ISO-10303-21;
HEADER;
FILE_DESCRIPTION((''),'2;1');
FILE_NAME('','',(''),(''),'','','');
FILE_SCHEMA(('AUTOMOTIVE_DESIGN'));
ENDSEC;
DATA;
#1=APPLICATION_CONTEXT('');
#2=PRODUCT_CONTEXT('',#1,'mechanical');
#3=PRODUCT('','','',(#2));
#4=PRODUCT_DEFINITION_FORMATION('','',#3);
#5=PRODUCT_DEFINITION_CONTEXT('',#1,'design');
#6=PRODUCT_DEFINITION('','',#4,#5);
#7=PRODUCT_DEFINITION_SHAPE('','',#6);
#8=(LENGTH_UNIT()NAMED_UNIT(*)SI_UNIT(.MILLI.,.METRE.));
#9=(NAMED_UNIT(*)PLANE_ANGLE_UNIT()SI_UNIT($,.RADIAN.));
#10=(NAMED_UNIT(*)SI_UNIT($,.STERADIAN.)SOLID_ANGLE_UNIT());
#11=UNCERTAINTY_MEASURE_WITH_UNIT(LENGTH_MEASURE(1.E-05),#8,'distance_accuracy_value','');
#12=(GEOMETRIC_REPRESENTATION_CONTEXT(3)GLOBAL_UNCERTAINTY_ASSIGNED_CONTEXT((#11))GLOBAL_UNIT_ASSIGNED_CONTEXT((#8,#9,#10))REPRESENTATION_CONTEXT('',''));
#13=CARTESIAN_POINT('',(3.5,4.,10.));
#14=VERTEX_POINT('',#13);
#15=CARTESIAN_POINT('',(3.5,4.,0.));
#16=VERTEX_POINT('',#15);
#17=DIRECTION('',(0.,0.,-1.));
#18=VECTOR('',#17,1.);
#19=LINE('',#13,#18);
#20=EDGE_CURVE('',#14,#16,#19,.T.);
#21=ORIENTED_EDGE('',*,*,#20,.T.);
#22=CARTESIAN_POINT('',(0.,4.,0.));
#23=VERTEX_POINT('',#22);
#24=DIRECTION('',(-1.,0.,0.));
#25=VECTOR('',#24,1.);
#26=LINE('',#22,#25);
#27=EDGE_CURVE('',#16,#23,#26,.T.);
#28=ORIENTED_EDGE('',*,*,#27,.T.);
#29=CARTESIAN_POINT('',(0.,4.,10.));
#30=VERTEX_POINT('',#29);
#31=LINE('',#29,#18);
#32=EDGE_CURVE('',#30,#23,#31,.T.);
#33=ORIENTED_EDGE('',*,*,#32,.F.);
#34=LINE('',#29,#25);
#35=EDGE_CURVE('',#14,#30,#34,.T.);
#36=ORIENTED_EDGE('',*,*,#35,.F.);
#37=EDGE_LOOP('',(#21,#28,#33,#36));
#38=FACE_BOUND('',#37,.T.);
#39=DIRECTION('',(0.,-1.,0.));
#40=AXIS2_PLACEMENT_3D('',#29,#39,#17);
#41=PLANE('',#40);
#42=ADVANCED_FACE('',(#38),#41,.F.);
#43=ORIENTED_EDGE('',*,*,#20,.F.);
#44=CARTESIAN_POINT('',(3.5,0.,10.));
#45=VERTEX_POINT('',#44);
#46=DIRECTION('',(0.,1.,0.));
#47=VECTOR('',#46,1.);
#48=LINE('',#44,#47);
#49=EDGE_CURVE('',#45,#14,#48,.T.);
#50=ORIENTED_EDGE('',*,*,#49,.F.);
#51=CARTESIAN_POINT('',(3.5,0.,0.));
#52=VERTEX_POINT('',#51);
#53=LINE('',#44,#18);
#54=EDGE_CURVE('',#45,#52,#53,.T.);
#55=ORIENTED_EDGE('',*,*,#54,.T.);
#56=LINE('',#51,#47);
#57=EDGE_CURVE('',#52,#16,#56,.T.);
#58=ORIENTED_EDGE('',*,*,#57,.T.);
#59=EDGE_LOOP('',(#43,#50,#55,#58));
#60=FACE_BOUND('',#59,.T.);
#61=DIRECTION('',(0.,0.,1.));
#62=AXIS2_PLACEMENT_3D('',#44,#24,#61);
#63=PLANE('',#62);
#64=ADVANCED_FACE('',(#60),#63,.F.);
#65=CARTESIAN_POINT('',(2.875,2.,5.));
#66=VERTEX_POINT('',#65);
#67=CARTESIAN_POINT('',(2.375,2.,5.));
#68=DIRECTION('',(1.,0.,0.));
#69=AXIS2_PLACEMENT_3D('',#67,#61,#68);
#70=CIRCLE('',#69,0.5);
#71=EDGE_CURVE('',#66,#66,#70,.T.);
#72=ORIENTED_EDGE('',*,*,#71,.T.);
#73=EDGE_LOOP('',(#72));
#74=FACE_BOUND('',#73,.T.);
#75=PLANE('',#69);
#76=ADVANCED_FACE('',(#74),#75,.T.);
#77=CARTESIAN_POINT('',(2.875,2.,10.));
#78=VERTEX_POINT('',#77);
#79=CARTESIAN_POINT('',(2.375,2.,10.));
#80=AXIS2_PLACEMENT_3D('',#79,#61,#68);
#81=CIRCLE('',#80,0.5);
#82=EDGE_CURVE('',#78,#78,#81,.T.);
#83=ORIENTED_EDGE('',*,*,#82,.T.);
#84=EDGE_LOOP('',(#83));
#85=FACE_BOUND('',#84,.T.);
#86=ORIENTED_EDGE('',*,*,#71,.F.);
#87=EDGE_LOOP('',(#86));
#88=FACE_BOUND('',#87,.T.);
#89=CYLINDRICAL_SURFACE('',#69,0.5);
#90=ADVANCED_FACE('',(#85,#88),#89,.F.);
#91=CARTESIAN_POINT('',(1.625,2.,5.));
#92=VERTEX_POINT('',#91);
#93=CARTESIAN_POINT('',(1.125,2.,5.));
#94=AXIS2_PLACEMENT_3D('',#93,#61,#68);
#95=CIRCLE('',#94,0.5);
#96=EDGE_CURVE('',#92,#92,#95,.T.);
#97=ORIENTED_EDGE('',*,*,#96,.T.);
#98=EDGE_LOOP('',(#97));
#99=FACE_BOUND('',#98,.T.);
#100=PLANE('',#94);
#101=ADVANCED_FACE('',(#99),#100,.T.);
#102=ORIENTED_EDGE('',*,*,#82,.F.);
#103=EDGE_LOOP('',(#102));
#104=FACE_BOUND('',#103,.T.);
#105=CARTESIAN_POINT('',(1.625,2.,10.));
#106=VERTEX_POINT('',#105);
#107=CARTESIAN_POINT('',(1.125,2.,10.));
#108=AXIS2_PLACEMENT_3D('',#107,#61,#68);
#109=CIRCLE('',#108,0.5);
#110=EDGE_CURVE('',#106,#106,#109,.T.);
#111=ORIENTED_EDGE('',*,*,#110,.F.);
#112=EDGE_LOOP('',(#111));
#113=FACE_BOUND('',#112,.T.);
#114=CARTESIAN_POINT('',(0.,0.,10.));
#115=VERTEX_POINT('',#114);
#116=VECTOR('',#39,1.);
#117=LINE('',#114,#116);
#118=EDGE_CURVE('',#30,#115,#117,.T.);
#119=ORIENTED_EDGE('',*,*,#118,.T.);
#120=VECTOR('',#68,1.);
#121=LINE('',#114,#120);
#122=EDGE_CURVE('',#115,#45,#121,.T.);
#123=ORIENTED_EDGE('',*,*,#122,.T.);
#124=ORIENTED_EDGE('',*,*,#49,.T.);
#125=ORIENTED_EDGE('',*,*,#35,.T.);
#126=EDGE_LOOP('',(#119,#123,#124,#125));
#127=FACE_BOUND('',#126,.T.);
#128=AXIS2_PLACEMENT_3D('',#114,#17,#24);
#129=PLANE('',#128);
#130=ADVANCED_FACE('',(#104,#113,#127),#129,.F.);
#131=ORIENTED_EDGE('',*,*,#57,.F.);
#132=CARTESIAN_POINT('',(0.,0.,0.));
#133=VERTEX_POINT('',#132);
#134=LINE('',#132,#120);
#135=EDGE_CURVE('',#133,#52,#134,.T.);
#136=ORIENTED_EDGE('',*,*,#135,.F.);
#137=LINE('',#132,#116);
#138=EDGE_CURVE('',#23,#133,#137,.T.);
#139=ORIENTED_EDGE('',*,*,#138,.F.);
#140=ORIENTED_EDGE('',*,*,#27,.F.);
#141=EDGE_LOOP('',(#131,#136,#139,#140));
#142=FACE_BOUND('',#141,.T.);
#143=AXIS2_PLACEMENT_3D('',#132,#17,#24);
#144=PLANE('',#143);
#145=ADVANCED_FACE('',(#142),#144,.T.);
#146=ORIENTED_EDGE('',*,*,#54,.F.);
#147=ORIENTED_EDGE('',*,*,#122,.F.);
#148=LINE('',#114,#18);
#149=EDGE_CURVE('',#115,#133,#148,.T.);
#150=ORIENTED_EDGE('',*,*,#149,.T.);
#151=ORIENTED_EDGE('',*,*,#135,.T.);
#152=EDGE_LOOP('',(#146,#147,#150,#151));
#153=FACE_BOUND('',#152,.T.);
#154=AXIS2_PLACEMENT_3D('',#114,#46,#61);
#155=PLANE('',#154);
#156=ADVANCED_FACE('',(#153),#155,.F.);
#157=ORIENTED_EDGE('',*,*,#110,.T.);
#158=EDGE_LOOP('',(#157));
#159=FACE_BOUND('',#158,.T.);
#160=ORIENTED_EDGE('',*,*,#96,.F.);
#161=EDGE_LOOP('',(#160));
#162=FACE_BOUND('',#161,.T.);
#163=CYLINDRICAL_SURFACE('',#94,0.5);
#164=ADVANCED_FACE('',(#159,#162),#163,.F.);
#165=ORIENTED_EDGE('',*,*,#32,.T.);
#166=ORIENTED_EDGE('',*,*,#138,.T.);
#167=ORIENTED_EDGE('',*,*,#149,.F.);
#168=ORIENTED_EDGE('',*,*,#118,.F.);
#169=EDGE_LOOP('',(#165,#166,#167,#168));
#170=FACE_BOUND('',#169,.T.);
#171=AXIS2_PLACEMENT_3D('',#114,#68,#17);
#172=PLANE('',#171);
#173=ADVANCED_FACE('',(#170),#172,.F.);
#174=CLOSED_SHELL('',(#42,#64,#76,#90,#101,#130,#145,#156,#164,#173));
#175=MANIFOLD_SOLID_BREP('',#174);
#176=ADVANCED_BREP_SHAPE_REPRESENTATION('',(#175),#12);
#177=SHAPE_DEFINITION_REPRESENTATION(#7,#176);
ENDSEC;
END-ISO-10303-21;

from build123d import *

# Parameters (mm, degrees)
SKETCH2_W           = 3.5
SKETCH2_H           = 4
BOSS_EXTRUDE1_DEPTH = 10
SKETCH3_R           = 0.5
CUT_EXTRUDE1_DEPTH  = 5


with BuildPart() as part:
    # Sketch2 → Boss-Extrude1 (new body)
    with BuildSketch(Plane.XY):
        with Locations((1.75, 2)):
            Rectangle(SKETCH2_W, SKETCH2_H)
    extrude(amount=BOSS_EXTRUDE1_DEPTH)

    # Sketch3 → Cut-Extrude1 (cut)
    with BuildSketch(Plane.XY.offset(10)):
        with Locations((1.125, 2)):
            Circle(SKETCH3_R)
        with Locations((2.375, 2)):
            Circle(SKETCH3_R)
    extrude(amount=-CUT_EXTRUDE1_DEPTH, mode=Mode.SUBTRACT)


solid = part.part
